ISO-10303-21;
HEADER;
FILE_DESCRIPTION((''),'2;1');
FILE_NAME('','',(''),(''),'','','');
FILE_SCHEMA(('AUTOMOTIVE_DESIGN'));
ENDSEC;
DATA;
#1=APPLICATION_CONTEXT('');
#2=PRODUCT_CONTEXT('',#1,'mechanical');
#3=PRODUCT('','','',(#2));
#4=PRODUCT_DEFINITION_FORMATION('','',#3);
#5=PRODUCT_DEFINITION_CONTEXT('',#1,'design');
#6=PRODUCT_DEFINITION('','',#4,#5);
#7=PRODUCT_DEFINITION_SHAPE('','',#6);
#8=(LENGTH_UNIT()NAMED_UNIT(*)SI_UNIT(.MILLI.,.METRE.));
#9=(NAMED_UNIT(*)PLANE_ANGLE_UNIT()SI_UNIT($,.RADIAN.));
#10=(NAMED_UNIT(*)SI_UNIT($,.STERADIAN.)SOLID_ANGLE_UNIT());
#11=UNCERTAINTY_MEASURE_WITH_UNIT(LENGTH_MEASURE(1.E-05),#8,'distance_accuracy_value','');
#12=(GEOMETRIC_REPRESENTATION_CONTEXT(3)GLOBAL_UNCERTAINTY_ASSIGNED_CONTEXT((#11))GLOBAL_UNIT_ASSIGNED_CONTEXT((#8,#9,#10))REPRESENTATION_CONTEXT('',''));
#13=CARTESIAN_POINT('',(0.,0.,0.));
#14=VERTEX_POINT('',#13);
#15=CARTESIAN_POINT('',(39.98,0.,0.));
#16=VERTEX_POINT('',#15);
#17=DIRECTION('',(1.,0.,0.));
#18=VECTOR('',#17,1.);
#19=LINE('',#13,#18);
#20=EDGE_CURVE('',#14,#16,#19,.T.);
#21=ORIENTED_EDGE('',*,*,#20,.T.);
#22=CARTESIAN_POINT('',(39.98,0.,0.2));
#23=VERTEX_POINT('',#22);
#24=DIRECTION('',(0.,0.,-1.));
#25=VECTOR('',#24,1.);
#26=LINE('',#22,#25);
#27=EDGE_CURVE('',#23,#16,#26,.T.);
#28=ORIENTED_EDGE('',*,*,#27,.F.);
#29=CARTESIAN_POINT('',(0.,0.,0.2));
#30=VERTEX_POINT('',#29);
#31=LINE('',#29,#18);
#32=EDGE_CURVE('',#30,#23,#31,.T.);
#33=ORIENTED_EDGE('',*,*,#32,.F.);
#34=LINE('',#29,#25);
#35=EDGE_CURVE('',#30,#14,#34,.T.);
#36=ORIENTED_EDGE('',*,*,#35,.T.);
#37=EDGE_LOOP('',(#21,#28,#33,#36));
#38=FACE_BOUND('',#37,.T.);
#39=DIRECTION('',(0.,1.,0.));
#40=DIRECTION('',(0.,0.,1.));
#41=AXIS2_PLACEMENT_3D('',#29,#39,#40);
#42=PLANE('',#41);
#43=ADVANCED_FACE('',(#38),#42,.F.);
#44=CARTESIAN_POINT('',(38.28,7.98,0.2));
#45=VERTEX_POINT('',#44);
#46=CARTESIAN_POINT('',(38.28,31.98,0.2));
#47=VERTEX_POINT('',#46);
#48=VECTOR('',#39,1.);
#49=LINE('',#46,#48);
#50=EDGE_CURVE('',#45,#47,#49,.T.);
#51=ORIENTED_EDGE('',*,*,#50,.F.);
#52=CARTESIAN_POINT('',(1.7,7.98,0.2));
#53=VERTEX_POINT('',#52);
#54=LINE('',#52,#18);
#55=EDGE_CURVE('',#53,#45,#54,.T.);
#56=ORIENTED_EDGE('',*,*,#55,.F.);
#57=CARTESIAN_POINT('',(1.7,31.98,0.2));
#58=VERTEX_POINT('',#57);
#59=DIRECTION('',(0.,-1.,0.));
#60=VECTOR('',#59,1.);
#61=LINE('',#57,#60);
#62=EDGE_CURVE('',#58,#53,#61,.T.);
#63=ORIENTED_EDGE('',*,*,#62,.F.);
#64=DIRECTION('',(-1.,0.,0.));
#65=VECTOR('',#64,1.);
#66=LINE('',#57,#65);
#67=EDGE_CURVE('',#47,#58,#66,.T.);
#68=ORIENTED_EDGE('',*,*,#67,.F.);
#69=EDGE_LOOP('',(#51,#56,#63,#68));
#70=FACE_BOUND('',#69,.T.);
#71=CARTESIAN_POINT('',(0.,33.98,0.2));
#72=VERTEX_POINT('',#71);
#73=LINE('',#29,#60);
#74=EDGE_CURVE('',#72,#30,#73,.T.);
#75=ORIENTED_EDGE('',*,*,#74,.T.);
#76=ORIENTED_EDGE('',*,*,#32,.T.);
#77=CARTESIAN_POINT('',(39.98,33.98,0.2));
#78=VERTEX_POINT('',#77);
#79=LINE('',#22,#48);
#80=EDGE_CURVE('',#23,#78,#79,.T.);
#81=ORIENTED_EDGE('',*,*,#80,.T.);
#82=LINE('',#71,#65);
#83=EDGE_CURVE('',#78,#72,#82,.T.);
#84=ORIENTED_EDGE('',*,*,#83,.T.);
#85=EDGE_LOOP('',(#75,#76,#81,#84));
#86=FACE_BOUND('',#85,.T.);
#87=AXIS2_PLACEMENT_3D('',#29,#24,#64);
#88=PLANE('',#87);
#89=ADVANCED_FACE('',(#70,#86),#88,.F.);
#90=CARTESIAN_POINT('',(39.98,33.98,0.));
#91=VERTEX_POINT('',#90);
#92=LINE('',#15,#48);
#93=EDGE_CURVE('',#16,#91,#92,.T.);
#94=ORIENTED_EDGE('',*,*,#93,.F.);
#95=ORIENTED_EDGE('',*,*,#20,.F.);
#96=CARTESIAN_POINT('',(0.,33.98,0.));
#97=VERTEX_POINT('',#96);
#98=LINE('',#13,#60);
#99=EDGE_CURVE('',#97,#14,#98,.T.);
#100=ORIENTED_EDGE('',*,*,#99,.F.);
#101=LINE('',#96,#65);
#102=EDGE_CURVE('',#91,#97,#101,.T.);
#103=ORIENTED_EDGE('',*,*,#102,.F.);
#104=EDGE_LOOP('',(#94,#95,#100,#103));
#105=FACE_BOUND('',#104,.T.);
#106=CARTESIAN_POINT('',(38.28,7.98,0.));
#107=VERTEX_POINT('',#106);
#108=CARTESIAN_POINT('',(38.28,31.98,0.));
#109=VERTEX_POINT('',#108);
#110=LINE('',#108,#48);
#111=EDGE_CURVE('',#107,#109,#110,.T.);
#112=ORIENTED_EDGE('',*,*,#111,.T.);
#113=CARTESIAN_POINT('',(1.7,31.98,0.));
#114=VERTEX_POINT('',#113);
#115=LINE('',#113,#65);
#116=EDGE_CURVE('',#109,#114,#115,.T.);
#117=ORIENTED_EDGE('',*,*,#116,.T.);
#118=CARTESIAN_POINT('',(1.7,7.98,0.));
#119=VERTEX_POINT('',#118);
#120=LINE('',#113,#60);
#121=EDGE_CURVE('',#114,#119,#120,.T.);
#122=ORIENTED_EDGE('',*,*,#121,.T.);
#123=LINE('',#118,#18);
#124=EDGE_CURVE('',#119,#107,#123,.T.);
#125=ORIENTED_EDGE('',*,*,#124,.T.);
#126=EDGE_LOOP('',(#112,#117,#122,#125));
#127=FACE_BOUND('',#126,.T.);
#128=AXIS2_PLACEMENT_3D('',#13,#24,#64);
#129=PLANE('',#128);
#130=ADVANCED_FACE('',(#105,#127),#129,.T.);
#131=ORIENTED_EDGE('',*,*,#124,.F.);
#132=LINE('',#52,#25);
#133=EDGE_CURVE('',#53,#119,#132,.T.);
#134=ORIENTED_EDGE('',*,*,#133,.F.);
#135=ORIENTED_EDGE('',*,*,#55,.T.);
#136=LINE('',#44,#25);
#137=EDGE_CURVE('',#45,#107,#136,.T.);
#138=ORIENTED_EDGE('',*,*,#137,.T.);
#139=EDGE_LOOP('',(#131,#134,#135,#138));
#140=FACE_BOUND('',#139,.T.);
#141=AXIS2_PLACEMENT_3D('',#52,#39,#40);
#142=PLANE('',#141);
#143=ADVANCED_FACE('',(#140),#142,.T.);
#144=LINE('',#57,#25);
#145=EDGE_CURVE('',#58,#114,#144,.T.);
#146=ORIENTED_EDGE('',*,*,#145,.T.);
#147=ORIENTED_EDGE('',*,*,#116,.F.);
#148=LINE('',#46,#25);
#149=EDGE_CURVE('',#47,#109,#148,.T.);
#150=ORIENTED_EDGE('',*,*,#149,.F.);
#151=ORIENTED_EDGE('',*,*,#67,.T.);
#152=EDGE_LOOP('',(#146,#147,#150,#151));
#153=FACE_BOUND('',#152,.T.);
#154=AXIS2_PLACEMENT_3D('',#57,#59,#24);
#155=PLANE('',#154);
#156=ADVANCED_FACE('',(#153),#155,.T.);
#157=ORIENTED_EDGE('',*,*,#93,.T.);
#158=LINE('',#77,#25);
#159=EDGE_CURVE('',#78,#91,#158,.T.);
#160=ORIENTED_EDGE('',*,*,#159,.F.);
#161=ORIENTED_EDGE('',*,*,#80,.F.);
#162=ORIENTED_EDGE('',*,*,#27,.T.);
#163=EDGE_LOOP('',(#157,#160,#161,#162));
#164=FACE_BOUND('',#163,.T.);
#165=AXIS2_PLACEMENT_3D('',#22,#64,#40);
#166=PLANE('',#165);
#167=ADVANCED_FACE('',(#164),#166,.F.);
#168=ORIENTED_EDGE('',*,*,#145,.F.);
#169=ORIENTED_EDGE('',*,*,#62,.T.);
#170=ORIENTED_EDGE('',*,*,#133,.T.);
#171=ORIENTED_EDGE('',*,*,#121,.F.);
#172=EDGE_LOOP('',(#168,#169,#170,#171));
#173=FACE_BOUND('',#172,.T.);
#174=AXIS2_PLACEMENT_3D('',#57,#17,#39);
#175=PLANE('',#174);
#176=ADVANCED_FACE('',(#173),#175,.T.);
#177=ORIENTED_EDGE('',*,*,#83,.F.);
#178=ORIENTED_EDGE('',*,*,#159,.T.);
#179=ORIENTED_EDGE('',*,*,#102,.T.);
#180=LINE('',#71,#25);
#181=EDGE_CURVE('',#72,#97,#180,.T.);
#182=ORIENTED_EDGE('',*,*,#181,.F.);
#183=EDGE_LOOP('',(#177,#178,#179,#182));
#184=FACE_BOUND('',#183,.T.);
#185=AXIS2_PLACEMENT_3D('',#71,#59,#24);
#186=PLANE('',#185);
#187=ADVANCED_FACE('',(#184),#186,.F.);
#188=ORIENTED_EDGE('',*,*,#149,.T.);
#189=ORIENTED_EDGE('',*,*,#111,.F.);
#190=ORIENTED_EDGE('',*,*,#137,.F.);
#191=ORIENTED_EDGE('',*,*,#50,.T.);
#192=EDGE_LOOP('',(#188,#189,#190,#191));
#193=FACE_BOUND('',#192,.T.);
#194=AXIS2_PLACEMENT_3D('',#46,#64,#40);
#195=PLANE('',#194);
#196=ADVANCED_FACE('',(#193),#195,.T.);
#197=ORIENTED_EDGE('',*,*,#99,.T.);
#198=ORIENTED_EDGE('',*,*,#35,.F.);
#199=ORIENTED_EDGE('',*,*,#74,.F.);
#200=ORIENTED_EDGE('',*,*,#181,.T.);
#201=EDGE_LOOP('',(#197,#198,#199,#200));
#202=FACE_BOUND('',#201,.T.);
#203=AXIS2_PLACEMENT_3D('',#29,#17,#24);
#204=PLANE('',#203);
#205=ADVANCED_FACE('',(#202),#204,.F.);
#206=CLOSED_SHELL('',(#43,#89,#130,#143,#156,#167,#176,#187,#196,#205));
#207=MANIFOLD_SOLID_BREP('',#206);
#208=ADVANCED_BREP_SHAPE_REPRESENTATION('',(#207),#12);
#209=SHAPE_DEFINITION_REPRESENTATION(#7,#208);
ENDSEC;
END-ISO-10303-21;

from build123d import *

# Parameters (mm, degrees)
ESBO_O1_W                = 39.98
ESBO_O1_H                = 33.98
ESBO_O1_W_2              = 36.58
ESBO_O1_H_2              = 24
RESSALTO_EXTRUS_O1_DEPTH = 0.2


with BuildPart() as part:
    # Esboço1 → Ressalto-extrusão1 (new body)
    with BuildSketch(Plane.XY):
        with Locations((19.99, 16.99)):
            Rectangle(ESBO_O1_W, ESBO_O1_H)
        with Locations((19.99, 19.98)):
            Rectangle(ESBO_O1_W_2, ESBO_O1_H_2, mode=Mode.SUBTRACT)
    extrude(amount=RESSALTO_EXTRUS_O1_DEPTH)


solid = part.part
